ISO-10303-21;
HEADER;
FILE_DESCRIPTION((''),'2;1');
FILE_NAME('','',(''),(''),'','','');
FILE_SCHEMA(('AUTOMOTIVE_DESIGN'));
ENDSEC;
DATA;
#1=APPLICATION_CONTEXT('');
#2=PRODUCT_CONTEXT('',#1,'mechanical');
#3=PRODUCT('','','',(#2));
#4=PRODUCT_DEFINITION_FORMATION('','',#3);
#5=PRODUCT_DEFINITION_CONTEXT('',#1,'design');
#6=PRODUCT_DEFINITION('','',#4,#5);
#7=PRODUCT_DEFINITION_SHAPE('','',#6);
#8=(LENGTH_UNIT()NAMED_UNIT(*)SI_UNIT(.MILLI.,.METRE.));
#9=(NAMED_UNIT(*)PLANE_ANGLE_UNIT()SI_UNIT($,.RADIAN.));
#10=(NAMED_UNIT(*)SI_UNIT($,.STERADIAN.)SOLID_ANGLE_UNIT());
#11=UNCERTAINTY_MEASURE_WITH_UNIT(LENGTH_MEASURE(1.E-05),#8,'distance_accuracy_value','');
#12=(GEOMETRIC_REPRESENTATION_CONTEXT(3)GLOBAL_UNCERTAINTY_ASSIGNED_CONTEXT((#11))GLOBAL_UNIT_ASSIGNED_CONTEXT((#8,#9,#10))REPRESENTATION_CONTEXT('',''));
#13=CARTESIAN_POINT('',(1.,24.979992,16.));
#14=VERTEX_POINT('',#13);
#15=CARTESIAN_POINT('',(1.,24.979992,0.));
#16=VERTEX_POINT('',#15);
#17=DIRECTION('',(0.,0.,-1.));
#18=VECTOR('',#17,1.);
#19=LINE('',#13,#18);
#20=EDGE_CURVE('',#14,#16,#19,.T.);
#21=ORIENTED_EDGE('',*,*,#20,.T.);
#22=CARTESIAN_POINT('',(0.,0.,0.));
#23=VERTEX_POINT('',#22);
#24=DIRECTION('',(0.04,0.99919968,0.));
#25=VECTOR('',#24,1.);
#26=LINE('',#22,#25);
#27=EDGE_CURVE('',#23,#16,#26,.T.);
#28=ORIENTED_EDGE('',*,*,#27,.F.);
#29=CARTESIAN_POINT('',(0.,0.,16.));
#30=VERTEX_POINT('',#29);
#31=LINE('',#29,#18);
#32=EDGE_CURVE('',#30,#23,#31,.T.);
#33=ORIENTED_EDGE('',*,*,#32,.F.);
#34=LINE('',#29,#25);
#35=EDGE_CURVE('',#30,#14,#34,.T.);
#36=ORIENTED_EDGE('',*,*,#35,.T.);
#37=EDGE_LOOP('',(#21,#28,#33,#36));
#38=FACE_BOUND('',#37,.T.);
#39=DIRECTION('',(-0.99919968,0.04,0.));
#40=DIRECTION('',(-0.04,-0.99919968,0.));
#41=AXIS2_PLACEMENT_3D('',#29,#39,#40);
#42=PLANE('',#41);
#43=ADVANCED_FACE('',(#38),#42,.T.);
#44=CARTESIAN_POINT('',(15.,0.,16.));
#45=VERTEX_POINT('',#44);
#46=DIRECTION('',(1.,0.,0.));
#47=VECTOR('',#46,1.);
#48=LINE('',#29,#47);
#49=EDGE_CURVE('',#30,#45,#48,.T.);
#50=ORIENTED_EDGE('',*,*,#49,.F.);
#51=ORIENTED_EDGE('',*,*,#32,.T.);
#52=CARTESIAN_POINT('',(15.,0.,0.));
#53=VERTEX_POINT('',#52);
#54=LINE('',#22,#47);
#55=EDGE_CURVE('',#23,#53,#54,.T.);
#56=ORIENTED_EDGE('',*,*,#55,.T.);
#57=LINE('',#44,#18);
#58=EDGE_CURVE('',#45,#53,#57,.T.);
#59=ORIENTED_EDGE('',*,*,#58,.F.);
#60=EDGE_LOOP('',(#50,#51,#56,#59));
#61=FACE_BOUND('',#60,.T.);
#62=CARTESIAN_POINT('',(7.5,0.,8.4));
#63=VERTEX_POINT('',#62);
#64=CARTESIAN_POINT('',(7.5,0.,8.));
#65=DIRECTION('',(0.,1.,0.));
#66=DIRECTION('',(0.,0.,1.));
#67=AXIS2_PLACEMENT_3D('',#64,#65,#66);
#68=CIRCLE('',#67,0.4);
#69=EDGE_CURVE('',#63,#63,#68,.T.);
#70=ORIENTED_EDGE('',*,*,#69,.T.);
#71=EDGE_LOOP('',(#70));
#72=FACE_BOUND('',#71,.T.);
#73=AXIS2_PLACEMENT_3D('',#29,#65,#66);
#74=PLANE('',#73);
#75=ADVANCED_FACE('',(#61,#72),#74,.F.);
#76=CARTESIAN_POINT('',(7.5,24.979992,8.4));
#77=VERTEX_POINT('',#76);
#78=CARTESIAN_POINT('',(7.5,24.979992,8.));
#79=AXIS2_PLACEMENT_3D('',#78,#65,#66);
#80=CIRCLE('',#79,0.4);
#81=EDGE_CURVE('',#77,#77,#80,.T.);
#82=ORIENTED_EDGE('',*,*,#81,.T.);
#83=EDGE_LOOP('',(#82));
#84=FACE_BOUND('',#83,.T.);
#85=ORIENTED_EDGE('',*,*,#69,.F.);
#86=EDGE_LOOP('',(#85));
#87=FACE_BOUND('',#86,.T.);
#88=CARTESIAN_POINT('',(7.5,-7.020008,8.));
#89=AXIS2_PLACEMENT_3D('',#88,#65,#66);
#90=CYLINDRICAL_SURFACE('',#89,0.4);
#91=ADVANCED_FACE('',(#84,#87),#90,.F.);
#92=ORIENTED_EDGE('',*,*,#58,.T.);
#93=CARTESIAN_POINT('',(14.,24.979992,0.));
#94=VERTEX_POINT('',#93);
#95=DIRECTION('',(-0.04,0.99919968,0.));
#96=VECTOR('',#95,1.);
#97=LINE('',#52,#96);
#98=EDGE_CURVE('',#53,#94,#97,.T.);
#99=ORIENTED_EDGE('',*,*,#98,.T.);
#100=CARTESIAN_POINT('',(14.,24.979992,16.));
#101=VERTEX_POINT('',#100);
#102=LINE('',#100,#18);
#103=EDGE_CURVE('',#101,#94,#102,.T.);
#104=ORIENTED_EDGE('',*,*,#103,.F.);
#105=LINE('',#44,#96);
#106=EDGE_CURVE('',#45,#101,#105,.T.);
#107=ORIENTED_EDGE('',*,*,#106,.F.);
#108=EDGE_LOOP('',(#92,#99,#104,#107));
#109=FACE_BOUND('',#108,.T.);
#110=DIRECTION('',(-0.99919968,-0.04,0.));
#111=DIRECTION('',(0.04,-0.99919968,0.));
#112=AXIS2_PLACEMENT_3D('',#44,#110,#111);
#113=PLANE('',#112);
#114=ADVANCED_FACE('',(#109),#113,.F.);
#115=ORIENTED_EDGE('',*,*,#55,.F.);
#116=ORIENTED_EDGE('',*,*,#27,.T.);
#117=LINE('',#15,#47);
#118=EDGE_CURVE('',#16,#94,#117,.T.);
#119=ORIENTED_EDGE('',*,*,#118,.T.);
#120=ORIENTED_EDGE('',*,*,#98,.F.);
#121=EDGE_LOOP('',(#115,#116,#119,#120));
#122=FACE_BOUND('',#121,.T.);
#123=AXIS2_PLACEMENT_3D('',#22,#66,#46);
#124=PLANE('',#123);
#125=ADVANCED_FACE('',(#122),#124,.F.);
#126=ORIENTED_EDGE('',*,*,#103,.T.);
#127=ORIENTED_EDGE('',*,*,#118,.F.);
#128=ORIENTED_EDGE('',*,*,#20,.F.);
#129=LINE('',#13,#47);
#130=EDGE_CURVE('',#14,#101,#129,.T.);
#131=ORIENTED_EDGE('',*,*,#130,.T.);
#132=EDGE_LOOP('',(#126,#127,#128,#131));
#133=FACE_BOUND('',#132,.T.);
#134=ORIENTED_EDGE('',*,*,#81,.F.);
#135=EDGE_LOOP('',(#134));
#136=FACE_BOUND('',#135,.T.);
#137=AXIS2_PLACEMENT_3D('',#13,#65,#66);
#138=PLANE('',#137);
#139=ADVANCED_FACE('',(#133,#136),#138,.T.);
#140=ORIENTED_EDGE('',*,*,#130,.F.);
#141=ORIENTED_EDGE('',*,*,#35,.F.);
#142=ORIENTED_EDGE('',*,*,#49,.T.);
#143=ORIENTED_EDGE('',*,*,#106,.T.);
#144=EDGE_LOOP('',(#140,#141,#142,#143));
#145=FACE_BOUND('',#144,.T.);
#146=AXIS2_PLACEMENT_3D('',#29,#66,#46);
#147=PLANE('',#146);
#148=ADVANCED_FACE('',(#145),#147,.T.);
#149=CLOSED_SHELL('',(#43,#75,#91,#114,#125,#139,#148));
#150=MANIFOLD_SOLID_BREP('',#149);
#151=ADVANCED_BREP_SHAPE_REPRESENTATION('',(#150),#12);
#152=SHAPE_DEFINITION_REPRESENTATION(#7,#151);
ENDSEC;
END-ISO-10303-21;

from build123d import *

# Parameters (mm, degrees)
BOSS_EXTRUDE1_DEPTH = 16
SKETCH4_R           = 0.4
CUT_EXTRUDE1_DEPTH  = 32


with BuildPart() as part:
    # Sketch1 → Boss-Extrude1 (new body)
    with BuildSketch(Plane.XY):
        Polygon((0, 0), (15, 0), (14, 24.979991994), (1, 24.979991994), align=None)
    extrude(amount=BOSS_EXTRUDE1_DEPTH)

    # Sketch4 → Cut-Extrude1 (cut)
    with BuildSketch(Plane(origin=(0, 24.979991994, 0), x_dir=(1, 0, 0), z_dir=(0, 1, 0))):
        with Locations(Location((7.5, -8, 0), (0, 0, 270))):
            Circle(SKETCH4_R)
    extrude(amount=-CUT_EXTRUDE1_DEPTH, mode=Mode.SUBTRACT)


solid = part.part
